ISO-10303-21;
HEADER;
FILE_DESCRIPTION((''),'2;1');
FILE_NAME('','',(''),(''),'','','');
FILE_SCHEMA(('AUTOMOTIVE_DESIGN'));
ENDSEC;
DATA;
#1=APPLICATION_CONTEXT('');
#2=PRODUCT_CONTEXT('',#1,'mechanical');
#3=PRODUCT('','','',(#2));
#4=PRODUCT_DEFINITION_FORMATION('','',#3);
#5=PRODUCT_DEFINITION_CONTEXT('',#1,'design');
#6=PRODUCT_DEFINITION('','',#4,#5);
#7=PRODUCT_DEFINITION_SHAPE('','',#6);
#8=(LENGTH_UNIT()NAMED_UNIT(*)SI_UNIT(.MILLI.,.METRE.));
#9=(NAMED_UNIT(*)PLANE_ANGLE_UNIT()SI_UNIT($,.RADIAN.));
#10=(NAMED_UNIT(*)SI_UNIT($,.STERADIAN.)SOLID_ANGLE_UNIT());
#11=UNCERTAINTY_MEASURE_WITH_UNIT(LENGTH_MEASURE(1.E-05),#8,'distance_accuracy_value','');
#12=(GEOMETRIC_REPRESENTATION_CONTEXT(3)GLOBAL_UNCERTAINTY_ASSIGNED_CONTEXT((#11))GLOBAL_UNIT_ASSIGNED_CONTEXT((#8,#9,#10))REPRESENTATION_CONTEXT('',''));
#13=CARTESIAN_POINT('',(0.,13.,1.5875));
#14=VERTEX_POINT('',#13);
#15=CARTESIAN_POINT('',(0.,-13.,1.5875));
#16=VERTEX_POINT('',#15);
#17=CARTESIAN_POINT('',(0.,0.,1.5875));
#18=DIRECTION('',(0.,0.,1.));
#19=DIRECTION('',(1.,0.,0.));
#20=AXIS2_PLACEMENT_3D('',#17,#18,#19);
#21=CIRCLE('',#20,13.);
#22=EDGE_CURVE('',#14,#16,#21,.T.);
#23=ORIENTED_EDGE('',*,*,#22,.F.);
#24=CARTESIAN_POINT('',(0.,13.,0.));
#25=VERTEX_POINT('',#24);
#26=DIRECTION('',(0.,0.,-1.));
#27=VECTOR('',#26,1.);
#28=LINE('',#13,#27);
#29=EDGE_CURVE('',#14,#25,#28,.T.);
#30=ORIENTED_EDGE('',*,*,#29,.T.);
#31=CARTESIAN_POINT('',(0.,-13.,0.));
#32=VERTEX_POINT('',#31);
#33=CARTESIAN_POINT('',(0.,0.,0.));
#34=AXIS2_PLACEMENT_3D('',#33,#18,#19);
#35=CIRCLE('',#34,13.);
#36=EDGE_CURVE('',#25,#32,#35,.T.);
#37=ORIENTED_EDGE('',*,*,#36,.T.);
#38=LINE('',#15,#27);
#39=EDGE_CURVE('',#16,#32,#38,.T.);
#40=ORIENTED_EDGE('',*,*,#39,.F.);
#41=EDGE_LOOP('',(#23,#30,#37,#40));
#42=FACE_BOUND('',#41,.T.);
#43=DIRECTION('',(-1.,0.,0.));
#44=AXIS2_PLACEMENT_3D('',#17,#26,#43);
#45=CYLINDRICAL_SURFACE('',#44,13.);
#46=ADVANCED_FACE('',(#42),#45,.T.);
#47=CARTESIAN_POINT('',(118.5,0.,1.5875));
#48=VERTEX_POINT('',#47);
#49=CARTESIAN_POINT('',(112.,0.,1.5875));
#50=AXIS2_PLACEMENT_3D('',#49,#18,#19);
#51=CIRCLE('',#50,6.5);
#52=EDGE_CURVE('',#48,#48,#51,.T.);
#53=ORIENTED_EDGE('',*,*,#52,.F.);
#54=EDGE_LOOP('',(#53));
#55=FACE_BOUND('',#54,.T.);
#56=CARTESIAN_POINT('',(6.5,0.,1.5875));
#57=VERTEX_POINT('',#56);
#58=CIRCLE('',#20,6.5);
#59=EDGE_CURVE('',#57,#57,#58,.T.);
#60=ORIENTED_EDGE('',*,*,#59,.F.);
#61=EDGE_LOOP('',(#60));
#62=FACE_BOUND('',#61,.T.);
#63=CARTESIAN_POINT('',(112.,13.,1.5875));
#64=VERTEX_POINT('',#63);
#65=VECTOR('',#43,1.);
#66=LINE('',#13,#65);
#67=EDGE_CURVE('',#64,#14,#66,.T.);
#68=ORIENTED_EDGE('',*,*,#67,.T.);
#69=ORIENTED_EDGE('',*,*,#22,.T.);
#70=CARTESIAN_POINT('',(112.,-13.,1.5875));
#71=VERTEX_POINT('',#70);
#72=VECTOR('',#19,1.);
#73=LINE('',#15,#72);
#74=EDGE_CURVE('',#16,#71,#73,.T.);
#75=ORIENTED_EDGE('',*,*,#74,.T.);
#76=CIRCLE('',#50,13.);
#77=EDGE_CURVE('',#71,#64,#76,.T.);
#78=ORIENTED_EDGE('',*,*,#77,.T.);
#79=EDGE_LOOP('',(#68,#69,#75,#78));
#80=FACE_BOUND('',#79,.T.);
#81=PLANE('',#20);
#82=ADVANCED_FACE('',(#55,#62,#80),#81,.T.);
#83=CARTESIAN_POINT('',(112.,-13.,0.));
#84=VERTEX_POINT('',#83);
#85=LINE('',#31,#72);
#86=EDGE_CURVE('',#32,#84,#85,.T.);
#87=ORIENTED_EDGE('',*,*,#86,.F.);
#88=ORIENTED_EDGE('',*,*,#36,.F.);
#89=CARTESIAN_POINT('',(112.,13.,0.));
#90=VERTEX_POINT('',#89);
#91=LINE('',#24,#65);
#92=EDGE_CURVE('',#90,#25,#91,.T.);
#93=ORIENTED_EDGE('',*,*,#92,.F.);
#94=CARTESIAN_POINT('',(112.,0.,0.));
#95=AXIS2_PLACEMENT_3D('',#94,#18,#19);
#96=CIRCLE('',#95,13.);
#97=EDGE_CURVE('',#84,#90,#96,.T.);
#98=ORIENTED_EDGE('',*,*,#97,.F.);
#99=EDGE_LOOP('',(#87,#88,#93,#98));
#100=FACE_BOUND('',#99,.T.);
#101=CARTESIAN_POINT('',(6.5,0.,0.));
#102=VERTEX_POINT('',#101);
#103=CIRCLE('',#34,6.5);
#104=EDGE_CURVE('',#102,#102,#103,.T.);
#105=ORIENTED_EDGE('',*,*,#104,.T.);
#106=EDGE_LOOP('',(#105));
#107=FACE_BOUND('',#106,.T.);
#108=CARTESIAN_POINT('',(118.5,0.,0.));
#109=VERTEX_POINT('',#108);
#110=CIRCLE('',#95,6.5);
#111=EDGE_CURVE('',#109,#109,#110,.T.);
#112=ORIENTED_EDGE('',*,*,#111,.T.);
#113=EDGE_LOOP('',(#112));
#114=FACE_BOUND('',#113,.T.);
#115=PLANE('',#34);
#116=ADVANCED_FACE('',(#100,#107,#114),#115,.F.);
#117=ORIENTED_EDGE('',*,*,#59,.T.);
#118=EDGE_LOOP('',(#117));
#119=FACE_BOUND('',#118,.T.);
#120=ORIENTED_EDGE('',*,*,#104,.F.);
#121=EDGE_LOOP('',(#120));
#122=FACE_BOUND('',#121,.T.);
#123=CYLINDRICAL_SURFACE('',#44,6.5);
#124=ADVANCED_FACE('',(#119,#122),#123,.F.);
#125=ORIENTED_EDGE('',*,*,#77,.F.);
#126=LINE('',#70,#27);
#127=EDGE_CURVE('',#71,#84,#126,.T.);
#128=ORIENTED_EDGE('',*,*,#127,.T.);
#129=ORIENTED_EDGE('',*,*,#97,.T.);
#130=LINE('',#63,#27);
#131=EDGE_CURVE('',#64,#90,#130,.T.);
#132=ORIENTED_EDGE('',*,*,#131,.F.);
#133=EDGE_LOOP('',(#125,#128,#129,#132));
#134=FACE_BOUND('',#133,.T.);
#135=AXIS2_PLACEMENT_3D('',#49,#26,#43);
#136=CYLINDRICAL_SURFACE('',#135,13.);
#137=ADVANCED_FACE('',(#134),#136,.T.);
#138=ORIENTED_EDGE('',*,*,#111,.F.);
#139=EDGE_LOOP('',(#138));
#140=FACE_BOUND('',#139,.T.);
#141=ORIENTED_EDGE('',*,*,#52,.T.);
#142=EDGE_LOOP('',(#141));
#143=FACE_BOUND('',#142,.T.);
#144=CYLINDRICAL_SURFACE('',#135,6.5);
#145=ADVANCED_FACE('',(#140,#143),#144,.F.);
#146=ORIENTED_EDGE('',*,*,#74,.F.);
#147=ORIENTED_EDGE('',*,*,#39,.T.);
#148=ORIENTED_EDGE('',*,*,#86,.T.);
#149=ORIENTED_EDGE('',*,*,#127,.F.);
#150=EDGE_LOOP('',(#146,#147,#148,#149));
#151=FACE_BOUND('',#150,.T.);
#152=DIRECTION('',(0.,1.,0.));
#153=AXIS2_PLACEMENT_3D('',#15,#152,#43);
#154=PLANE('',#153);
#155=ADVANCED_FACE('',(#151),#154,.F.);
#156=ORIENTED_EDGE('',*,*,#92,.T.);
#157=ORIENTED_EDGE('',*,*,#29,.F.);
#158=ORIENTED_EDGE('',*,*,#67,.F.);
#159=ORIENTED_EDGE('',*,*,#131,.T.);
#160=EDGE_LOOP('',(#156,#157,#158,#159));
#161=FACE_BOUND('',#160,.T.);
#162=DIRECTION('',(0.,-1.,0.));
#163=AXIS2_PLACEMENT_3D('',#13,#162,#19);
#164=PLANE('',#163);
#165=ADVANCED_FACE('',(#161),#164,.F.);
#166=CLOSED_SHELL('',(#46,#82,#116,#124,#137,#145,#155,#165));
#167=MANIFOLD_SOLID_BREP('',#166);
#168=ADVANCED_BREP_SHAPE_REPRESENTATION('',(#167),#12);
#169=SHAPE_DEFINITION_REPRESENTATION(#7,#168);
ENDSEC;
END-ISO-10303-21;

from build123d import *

# Parameters (mm, degrees)
SKETCH1_R           = 6.5
BOSS_EXTRUDE1_DEPTH = 1.5875


with BuildPart() as part:
    # Sketch1 → Boss-Extrude1 (new body)
    with BuildSketch(Plane.XY):
        with BuildLine():
            Line((0, 13), (112, 13))
            ThreePointArc((112, 13), (125, 0), (112, -13))
            Line((112, -13), (0, -13))
            ThreePointArc((0, -13), (-13, 0), (0, 13))
        make_face()
        Circle(SKETCH1_R, mode=Mode.SUBTRACT)
        with Locations((112, 0)):
            Circle(SKETCH1_R, mode=Mode.SUBTRACT)
    extrude(amount=BOSS_EXTRUDE1_DEPTH)


solid = part.part
